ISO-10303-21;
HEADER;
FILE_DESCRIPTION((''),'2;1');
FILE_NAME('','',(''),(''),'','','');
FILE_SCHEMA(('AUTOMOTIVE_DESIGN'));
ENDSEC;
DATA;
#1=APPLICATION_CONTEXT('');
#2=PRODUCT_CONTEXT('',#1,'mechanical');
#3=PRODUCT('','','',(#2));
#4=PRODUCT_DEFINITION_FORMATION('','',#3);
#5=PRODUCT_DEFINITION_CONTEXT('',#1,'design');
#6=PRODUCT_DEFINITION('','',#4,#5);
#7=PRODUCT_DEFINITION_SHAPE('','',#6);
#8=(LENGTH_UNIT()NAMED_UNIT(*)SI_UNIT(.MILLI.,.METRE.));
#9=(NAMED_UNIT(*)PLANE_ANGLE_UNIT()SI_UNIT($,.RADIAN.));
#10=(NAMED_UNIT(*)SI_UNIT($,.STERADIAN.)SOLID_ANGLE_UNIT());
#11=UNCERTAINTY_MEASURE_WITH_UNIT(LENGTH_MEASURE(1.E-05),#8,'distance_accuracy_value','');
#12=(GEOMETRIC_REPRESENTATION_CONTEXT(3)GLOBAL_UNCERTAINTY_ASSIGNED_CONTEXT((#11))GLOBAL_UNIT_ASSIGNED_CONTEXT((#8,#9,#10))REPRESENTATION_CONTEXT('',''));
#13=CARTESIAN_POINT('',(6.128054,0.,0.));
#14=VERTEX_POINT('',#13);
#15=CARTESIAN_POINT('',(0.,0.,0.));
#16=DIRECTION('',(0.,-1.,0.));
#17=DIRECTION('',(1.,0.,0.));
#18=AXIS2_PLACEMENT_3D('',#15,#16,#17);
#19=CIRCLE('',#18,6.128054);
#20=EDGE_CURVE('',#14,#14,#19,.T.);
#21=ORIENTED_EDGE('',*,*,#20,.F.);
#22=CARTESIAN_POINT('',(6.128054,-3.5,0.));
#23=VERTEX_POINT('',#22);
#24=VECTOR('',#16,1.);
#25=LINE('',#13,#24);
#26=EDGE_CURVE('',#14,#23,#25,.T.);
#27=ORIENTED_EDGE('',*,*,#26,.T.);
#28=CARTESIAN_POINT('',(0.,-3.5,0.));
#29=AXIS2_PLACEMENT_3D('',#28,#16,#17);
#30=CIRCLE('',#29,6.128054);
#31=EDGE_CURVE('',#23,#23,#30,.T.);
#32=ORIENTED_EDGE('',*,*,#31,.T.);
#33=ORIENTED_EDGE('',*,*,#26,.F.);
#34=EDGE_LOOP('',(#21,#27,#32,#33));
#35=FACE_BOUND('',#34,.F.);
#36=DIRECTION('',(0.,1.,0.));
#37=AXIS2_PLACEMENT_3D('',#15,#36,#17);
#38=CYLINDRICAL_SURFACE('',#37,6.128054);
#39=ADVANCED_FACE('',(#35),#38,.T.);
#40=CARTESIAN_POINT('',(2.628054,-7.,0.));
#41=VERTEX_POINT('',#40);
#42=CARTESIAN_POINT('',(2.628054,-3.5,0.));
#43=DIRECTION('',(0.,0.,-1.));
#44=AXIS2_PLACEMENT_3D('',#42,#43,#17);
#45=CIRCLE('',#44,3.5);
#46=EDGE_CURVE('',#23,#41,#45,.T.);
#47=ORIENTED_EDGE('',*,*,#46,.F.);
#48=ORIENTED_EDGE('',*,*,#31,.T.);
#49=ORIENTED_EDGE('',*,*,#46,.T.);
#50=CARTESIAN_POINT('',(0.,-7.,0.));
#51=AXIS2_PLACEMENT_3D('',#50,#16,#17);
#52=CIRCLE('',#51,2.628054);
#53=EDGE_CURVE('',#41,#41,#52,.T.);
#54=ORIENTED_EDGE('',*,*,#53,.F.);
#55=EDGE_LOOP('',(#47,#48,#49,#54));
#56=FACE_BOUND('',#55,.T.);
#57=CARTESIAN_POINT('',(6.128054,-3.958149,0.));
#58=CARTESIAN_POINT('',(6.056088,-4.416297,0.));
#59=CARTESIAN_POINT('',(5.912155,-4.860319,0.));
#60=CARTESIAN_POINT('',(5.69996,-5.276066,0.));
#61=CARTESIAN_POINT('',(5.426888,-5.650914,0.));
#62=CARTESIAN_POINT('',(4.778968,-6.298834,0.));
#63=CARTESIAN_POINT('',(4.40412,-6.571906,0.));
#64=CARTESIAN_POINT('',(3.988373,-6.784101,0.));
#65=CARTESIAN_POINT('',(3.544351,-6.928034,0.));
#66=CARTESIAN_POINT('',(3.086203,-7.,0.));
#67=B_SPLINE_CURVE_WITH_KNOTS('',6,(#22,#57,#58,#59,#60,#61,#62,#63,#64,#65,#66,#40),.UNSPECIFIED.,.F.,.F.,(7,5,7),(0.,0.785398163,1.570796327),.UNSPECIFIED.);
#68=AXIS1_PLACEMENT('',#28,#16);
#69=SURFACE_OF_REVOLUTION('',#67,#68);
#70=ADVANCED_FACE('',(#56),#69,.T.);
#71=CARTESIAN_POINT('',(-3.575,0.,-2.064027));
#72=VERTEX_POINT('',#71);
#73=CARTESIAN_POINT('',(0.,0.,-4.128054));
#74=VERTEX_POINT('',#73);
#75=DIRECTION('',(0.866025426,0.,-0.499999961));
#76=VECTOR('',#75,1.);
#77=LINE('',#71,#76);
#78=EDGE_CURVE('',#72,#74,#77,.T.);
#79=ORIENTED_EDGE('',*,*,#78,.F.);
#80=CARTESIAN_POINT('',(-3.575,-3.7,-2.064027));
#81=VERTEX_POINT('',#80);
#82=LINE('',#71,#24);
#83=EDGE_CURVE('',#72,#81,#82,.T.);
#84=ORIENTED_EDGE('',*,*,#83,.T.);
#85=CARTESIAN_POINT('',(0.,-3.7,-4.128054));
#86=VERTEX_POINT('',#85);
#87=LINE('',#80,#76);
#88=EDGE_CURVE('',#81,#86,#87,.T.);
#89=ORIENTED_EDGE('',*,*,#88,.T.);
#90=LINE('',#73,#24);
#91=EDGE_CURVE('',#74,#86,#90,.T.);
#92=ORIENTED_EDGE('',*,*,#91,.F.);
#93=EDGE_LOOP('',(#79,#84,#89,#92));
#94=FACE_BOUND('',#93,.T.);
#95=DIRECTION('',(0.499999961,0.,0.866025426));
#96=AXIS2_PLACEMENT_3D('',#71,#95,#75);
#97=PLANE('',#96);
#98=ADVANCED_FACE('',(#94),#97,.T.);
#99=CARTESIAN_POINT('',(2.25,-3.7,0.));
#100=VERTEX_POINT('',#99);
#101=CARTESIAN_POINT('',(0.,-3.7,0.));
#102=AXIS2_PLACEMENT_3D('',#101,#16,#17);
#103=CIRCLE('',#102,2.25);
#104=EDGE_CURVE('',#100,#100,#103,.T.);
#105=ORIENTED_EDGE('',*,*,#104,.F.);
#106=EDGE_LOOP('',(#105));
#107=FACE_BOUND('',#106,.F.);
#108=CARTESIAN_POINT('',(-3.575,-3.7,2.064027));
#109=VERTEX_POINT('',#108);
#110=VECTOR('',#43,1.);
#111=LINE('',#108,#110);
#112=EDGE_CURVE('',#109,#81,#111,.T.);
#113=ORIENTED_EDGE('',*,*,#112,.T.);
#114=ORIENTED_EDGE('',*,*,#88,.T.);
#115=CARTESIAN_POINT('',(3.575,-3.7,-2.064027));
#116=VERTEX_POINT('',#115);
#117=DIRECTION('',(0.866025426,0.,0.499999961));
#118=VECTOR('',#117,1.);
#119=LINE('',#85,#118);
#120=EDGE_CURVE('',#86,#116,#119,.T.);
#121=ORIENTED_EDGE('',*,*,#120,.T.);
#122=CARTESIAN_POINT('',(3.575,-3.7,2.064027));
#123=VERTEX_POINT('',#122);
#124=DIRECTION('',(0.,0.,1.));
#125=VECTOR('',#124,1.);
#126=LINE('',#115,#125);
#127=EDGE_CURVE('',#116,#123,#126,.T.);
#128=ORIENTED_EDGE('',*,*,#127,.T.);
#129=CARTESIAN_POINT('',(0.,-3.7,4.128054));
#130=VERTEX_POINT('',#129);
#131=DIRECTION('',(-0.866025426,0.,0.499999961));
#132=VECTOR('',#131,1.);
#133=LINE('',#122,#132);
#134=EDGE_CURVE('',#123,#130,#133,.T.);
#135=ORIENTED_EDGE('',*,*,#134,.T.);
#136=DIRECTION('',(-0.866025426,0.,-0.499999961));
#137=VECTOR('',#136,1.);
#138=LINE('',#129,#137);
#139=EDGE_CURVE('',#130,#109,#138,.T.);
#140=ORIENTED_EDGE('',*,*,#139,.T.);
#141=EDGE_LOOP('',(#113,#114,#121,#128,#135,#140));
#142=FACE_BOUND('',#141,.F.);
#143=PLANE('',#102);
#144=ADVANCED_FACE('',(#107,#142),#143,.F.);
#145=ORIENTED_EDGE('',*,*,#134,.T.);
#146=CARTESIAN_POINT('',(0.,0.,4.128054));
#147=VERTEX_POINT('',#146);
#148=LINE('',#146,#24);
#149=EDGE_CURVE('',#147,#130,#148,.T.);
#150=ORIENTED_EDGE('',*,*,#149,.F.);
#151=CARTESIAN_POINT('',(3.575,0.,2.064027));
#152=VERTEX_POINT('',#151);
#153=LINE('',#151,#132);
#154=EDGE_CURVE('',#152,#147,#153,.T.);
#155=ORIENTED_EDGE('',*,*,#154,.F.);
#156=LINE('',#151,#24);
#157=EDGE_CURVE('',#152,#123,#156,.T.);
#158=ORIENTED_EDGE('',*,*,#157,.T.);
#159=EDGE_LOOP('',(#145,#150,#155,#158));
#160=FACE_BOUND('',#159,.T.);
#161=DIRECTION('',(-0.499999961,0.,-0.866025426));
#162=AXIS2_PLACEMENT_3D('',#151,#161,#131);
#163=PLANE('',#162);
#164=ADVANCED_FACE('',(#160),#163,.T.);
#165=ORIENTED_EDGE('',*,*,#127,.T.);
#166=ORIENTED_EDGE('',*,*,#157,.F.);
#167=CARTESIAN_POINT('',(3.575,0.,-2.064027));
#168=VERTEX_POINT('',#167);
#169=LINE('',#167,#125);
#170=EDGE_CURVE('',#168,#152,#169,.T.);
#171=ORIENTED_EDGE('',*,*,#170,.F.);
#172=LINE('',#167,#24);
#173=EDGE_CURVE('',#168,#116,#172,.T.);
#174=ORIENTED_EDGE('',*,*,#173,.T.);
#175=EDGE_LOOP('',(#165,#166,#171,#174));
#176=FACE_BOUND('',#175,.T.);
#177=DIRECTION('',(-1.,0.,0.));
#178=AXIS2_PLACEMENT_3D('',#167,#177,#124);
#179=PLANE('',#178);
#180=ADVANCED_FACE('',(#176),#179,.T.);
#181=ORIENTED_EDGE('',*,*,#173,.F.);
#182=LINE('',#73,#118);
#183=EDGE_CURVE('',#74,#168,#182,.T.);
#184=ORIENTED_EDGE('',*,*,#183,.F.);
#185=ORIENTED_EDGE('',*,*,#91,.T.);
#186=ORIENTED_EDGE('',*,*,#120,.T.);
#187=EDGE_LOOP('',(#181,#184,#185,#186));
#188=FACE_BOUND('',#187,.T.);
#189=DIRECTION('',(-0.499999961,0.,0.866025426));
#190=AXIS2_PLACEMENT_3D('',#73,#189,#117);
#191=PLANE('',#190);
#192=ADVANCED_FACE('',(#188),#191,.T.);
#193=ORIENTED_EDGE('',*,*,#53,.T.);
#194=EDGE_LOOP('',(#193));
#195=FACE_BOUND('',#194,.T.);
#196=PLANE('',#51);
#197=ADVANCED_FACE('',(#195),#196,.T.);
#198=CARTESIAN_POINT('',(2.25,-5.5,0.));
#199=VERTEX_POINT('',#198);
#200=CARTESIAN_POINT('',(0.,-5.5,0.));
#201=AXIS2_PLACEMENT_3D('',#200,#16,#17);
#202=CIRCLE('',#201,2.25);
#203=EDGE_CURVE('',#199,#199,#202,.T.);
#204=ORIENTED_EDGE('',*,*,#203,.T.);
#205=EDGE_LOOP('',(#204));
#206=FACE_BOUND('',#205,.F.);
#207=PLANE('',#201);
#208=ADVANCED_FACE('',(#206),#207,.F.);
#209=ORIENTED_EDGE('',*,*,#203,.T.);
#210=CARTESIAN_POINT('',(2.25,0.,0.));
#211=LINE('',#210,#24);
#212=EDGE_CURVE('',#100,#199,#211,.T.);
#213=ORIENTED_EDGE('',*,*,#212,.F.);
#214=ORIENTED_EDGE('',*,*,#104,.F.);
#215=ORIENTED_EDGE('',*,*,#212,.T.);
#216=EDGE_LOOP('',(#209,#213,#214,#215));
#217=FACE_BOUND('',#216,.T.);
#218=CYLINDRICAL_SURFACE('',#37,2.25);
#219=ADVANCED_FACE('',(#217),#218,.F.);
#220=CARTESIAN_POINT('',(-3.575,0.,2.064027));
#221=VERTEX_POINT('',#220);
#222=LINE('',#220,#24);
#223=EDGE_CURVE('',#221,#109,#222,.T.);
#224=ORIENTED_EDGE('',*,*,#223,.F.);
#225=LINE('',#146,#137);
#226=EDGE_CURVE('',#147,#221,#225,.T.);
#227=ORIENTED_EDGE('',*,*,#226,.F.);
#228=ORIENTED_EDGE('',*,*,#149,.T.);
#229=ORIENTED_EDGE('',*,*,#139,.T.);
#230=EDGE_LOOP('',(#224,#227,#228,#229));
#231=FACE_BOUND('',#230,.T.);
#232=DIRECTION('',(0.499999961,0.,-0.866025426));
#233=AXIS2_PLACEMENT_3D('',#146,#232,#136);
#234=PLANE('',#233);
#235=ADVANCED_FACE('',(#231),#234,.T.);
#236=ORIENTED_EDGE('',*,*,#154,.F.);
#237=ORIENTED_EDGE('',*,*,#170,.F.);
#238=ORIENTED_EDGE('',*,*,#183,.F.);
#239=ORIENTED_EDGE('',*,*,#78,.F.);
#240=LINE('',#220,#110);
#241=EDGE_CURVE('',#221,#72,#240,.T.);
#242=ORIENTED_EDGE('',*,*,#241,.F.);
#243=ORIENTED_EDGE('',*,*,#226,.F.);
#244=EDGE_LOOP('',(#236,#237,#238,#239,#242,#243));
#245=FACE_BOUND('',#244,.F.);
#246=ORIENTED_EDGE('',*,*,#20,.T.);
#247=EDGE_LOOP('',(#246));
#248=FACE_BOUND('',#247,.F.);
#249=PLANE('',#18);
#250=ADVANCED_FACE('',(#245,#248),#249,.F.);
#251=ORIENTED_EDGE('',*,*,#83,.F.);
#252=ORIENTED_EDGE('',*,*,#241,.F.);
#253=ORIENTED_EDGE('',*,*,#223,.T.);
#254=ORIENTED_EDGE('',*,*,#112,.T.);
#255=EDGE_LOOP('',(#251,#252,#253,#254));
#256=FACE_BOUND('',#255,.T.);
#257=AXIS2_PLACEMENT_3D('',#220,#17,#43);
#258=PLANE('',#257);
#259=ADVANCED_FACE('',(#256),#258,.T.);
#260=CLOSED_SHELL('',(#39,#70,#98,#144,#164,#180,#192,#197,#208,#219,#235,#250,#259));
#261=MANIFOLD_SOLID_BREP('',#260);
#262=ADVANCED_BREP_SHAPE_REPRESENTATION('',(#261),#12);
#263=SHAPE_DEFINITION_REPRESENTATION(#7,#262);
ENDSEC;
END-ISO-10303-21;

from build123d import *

# Parameters (mm, degrees)
F0_R     = 6.128054
F0_R_2   = 2.25
F1_DEPTH = 7
F2_DEPTH = 5.5
F3_DEPTH = 3.7
F4_R     = 3.5


with BuildPart() as f1:
    # F0 (on Front) → F1 (new body)
    with BuildSketch(Plane.XZ):
        Circle(F0_R)
        Polygon((3.575, 2.064027), (3.575, -2.064027), (0, -4.128054), (-3.575, -2.064027), (-3.575, 2.064027), (0, 4.128054), align=None, mode=Mode.SUBTRACT)
        Polygon((0, -4.128054), (3.575, -2.064027), (3.575, 2.064027), (0, 4.128054), (-3.575, 2.064027), (-3.575, -2.064027), align=None)
        Circle(F0_R_2, mode=Mode.SUBTRACT)
        Circle(F0_R_2)
    extrude(amount=F1_DEPTH)

    # F0 (on Front) → F2 (cut)
    with BuildSketch(Plane.XZ):
        Circle(F0_R_2)
    extrude(amount=F2_DEPTH, mode=Mode.SUBTRACT)

    # F0 (on Front) → F3 (cut)
    with BuildSketch(Plane.XZ):
        Polygon((0, -4.128054), (3.575, -2.064027), (3.575, 2.064027), (0, 4.128054), (-3.575, 2.064027), (-3.575, -2.064027), align=None)
        Circle(F0_R_2, mode=Mode.SUBTRACT)
    extrude(amount=F3_DEPTH, mode=Mode.SUBTRACT)

    # F4
    f4_edges = [f1.edges().sort_by_distance(p)[0] for p in [
        (-6.128054, -7, 0),
    ]]
    fillet(f4_edges, radius=F4_R)


solid = f1.part
